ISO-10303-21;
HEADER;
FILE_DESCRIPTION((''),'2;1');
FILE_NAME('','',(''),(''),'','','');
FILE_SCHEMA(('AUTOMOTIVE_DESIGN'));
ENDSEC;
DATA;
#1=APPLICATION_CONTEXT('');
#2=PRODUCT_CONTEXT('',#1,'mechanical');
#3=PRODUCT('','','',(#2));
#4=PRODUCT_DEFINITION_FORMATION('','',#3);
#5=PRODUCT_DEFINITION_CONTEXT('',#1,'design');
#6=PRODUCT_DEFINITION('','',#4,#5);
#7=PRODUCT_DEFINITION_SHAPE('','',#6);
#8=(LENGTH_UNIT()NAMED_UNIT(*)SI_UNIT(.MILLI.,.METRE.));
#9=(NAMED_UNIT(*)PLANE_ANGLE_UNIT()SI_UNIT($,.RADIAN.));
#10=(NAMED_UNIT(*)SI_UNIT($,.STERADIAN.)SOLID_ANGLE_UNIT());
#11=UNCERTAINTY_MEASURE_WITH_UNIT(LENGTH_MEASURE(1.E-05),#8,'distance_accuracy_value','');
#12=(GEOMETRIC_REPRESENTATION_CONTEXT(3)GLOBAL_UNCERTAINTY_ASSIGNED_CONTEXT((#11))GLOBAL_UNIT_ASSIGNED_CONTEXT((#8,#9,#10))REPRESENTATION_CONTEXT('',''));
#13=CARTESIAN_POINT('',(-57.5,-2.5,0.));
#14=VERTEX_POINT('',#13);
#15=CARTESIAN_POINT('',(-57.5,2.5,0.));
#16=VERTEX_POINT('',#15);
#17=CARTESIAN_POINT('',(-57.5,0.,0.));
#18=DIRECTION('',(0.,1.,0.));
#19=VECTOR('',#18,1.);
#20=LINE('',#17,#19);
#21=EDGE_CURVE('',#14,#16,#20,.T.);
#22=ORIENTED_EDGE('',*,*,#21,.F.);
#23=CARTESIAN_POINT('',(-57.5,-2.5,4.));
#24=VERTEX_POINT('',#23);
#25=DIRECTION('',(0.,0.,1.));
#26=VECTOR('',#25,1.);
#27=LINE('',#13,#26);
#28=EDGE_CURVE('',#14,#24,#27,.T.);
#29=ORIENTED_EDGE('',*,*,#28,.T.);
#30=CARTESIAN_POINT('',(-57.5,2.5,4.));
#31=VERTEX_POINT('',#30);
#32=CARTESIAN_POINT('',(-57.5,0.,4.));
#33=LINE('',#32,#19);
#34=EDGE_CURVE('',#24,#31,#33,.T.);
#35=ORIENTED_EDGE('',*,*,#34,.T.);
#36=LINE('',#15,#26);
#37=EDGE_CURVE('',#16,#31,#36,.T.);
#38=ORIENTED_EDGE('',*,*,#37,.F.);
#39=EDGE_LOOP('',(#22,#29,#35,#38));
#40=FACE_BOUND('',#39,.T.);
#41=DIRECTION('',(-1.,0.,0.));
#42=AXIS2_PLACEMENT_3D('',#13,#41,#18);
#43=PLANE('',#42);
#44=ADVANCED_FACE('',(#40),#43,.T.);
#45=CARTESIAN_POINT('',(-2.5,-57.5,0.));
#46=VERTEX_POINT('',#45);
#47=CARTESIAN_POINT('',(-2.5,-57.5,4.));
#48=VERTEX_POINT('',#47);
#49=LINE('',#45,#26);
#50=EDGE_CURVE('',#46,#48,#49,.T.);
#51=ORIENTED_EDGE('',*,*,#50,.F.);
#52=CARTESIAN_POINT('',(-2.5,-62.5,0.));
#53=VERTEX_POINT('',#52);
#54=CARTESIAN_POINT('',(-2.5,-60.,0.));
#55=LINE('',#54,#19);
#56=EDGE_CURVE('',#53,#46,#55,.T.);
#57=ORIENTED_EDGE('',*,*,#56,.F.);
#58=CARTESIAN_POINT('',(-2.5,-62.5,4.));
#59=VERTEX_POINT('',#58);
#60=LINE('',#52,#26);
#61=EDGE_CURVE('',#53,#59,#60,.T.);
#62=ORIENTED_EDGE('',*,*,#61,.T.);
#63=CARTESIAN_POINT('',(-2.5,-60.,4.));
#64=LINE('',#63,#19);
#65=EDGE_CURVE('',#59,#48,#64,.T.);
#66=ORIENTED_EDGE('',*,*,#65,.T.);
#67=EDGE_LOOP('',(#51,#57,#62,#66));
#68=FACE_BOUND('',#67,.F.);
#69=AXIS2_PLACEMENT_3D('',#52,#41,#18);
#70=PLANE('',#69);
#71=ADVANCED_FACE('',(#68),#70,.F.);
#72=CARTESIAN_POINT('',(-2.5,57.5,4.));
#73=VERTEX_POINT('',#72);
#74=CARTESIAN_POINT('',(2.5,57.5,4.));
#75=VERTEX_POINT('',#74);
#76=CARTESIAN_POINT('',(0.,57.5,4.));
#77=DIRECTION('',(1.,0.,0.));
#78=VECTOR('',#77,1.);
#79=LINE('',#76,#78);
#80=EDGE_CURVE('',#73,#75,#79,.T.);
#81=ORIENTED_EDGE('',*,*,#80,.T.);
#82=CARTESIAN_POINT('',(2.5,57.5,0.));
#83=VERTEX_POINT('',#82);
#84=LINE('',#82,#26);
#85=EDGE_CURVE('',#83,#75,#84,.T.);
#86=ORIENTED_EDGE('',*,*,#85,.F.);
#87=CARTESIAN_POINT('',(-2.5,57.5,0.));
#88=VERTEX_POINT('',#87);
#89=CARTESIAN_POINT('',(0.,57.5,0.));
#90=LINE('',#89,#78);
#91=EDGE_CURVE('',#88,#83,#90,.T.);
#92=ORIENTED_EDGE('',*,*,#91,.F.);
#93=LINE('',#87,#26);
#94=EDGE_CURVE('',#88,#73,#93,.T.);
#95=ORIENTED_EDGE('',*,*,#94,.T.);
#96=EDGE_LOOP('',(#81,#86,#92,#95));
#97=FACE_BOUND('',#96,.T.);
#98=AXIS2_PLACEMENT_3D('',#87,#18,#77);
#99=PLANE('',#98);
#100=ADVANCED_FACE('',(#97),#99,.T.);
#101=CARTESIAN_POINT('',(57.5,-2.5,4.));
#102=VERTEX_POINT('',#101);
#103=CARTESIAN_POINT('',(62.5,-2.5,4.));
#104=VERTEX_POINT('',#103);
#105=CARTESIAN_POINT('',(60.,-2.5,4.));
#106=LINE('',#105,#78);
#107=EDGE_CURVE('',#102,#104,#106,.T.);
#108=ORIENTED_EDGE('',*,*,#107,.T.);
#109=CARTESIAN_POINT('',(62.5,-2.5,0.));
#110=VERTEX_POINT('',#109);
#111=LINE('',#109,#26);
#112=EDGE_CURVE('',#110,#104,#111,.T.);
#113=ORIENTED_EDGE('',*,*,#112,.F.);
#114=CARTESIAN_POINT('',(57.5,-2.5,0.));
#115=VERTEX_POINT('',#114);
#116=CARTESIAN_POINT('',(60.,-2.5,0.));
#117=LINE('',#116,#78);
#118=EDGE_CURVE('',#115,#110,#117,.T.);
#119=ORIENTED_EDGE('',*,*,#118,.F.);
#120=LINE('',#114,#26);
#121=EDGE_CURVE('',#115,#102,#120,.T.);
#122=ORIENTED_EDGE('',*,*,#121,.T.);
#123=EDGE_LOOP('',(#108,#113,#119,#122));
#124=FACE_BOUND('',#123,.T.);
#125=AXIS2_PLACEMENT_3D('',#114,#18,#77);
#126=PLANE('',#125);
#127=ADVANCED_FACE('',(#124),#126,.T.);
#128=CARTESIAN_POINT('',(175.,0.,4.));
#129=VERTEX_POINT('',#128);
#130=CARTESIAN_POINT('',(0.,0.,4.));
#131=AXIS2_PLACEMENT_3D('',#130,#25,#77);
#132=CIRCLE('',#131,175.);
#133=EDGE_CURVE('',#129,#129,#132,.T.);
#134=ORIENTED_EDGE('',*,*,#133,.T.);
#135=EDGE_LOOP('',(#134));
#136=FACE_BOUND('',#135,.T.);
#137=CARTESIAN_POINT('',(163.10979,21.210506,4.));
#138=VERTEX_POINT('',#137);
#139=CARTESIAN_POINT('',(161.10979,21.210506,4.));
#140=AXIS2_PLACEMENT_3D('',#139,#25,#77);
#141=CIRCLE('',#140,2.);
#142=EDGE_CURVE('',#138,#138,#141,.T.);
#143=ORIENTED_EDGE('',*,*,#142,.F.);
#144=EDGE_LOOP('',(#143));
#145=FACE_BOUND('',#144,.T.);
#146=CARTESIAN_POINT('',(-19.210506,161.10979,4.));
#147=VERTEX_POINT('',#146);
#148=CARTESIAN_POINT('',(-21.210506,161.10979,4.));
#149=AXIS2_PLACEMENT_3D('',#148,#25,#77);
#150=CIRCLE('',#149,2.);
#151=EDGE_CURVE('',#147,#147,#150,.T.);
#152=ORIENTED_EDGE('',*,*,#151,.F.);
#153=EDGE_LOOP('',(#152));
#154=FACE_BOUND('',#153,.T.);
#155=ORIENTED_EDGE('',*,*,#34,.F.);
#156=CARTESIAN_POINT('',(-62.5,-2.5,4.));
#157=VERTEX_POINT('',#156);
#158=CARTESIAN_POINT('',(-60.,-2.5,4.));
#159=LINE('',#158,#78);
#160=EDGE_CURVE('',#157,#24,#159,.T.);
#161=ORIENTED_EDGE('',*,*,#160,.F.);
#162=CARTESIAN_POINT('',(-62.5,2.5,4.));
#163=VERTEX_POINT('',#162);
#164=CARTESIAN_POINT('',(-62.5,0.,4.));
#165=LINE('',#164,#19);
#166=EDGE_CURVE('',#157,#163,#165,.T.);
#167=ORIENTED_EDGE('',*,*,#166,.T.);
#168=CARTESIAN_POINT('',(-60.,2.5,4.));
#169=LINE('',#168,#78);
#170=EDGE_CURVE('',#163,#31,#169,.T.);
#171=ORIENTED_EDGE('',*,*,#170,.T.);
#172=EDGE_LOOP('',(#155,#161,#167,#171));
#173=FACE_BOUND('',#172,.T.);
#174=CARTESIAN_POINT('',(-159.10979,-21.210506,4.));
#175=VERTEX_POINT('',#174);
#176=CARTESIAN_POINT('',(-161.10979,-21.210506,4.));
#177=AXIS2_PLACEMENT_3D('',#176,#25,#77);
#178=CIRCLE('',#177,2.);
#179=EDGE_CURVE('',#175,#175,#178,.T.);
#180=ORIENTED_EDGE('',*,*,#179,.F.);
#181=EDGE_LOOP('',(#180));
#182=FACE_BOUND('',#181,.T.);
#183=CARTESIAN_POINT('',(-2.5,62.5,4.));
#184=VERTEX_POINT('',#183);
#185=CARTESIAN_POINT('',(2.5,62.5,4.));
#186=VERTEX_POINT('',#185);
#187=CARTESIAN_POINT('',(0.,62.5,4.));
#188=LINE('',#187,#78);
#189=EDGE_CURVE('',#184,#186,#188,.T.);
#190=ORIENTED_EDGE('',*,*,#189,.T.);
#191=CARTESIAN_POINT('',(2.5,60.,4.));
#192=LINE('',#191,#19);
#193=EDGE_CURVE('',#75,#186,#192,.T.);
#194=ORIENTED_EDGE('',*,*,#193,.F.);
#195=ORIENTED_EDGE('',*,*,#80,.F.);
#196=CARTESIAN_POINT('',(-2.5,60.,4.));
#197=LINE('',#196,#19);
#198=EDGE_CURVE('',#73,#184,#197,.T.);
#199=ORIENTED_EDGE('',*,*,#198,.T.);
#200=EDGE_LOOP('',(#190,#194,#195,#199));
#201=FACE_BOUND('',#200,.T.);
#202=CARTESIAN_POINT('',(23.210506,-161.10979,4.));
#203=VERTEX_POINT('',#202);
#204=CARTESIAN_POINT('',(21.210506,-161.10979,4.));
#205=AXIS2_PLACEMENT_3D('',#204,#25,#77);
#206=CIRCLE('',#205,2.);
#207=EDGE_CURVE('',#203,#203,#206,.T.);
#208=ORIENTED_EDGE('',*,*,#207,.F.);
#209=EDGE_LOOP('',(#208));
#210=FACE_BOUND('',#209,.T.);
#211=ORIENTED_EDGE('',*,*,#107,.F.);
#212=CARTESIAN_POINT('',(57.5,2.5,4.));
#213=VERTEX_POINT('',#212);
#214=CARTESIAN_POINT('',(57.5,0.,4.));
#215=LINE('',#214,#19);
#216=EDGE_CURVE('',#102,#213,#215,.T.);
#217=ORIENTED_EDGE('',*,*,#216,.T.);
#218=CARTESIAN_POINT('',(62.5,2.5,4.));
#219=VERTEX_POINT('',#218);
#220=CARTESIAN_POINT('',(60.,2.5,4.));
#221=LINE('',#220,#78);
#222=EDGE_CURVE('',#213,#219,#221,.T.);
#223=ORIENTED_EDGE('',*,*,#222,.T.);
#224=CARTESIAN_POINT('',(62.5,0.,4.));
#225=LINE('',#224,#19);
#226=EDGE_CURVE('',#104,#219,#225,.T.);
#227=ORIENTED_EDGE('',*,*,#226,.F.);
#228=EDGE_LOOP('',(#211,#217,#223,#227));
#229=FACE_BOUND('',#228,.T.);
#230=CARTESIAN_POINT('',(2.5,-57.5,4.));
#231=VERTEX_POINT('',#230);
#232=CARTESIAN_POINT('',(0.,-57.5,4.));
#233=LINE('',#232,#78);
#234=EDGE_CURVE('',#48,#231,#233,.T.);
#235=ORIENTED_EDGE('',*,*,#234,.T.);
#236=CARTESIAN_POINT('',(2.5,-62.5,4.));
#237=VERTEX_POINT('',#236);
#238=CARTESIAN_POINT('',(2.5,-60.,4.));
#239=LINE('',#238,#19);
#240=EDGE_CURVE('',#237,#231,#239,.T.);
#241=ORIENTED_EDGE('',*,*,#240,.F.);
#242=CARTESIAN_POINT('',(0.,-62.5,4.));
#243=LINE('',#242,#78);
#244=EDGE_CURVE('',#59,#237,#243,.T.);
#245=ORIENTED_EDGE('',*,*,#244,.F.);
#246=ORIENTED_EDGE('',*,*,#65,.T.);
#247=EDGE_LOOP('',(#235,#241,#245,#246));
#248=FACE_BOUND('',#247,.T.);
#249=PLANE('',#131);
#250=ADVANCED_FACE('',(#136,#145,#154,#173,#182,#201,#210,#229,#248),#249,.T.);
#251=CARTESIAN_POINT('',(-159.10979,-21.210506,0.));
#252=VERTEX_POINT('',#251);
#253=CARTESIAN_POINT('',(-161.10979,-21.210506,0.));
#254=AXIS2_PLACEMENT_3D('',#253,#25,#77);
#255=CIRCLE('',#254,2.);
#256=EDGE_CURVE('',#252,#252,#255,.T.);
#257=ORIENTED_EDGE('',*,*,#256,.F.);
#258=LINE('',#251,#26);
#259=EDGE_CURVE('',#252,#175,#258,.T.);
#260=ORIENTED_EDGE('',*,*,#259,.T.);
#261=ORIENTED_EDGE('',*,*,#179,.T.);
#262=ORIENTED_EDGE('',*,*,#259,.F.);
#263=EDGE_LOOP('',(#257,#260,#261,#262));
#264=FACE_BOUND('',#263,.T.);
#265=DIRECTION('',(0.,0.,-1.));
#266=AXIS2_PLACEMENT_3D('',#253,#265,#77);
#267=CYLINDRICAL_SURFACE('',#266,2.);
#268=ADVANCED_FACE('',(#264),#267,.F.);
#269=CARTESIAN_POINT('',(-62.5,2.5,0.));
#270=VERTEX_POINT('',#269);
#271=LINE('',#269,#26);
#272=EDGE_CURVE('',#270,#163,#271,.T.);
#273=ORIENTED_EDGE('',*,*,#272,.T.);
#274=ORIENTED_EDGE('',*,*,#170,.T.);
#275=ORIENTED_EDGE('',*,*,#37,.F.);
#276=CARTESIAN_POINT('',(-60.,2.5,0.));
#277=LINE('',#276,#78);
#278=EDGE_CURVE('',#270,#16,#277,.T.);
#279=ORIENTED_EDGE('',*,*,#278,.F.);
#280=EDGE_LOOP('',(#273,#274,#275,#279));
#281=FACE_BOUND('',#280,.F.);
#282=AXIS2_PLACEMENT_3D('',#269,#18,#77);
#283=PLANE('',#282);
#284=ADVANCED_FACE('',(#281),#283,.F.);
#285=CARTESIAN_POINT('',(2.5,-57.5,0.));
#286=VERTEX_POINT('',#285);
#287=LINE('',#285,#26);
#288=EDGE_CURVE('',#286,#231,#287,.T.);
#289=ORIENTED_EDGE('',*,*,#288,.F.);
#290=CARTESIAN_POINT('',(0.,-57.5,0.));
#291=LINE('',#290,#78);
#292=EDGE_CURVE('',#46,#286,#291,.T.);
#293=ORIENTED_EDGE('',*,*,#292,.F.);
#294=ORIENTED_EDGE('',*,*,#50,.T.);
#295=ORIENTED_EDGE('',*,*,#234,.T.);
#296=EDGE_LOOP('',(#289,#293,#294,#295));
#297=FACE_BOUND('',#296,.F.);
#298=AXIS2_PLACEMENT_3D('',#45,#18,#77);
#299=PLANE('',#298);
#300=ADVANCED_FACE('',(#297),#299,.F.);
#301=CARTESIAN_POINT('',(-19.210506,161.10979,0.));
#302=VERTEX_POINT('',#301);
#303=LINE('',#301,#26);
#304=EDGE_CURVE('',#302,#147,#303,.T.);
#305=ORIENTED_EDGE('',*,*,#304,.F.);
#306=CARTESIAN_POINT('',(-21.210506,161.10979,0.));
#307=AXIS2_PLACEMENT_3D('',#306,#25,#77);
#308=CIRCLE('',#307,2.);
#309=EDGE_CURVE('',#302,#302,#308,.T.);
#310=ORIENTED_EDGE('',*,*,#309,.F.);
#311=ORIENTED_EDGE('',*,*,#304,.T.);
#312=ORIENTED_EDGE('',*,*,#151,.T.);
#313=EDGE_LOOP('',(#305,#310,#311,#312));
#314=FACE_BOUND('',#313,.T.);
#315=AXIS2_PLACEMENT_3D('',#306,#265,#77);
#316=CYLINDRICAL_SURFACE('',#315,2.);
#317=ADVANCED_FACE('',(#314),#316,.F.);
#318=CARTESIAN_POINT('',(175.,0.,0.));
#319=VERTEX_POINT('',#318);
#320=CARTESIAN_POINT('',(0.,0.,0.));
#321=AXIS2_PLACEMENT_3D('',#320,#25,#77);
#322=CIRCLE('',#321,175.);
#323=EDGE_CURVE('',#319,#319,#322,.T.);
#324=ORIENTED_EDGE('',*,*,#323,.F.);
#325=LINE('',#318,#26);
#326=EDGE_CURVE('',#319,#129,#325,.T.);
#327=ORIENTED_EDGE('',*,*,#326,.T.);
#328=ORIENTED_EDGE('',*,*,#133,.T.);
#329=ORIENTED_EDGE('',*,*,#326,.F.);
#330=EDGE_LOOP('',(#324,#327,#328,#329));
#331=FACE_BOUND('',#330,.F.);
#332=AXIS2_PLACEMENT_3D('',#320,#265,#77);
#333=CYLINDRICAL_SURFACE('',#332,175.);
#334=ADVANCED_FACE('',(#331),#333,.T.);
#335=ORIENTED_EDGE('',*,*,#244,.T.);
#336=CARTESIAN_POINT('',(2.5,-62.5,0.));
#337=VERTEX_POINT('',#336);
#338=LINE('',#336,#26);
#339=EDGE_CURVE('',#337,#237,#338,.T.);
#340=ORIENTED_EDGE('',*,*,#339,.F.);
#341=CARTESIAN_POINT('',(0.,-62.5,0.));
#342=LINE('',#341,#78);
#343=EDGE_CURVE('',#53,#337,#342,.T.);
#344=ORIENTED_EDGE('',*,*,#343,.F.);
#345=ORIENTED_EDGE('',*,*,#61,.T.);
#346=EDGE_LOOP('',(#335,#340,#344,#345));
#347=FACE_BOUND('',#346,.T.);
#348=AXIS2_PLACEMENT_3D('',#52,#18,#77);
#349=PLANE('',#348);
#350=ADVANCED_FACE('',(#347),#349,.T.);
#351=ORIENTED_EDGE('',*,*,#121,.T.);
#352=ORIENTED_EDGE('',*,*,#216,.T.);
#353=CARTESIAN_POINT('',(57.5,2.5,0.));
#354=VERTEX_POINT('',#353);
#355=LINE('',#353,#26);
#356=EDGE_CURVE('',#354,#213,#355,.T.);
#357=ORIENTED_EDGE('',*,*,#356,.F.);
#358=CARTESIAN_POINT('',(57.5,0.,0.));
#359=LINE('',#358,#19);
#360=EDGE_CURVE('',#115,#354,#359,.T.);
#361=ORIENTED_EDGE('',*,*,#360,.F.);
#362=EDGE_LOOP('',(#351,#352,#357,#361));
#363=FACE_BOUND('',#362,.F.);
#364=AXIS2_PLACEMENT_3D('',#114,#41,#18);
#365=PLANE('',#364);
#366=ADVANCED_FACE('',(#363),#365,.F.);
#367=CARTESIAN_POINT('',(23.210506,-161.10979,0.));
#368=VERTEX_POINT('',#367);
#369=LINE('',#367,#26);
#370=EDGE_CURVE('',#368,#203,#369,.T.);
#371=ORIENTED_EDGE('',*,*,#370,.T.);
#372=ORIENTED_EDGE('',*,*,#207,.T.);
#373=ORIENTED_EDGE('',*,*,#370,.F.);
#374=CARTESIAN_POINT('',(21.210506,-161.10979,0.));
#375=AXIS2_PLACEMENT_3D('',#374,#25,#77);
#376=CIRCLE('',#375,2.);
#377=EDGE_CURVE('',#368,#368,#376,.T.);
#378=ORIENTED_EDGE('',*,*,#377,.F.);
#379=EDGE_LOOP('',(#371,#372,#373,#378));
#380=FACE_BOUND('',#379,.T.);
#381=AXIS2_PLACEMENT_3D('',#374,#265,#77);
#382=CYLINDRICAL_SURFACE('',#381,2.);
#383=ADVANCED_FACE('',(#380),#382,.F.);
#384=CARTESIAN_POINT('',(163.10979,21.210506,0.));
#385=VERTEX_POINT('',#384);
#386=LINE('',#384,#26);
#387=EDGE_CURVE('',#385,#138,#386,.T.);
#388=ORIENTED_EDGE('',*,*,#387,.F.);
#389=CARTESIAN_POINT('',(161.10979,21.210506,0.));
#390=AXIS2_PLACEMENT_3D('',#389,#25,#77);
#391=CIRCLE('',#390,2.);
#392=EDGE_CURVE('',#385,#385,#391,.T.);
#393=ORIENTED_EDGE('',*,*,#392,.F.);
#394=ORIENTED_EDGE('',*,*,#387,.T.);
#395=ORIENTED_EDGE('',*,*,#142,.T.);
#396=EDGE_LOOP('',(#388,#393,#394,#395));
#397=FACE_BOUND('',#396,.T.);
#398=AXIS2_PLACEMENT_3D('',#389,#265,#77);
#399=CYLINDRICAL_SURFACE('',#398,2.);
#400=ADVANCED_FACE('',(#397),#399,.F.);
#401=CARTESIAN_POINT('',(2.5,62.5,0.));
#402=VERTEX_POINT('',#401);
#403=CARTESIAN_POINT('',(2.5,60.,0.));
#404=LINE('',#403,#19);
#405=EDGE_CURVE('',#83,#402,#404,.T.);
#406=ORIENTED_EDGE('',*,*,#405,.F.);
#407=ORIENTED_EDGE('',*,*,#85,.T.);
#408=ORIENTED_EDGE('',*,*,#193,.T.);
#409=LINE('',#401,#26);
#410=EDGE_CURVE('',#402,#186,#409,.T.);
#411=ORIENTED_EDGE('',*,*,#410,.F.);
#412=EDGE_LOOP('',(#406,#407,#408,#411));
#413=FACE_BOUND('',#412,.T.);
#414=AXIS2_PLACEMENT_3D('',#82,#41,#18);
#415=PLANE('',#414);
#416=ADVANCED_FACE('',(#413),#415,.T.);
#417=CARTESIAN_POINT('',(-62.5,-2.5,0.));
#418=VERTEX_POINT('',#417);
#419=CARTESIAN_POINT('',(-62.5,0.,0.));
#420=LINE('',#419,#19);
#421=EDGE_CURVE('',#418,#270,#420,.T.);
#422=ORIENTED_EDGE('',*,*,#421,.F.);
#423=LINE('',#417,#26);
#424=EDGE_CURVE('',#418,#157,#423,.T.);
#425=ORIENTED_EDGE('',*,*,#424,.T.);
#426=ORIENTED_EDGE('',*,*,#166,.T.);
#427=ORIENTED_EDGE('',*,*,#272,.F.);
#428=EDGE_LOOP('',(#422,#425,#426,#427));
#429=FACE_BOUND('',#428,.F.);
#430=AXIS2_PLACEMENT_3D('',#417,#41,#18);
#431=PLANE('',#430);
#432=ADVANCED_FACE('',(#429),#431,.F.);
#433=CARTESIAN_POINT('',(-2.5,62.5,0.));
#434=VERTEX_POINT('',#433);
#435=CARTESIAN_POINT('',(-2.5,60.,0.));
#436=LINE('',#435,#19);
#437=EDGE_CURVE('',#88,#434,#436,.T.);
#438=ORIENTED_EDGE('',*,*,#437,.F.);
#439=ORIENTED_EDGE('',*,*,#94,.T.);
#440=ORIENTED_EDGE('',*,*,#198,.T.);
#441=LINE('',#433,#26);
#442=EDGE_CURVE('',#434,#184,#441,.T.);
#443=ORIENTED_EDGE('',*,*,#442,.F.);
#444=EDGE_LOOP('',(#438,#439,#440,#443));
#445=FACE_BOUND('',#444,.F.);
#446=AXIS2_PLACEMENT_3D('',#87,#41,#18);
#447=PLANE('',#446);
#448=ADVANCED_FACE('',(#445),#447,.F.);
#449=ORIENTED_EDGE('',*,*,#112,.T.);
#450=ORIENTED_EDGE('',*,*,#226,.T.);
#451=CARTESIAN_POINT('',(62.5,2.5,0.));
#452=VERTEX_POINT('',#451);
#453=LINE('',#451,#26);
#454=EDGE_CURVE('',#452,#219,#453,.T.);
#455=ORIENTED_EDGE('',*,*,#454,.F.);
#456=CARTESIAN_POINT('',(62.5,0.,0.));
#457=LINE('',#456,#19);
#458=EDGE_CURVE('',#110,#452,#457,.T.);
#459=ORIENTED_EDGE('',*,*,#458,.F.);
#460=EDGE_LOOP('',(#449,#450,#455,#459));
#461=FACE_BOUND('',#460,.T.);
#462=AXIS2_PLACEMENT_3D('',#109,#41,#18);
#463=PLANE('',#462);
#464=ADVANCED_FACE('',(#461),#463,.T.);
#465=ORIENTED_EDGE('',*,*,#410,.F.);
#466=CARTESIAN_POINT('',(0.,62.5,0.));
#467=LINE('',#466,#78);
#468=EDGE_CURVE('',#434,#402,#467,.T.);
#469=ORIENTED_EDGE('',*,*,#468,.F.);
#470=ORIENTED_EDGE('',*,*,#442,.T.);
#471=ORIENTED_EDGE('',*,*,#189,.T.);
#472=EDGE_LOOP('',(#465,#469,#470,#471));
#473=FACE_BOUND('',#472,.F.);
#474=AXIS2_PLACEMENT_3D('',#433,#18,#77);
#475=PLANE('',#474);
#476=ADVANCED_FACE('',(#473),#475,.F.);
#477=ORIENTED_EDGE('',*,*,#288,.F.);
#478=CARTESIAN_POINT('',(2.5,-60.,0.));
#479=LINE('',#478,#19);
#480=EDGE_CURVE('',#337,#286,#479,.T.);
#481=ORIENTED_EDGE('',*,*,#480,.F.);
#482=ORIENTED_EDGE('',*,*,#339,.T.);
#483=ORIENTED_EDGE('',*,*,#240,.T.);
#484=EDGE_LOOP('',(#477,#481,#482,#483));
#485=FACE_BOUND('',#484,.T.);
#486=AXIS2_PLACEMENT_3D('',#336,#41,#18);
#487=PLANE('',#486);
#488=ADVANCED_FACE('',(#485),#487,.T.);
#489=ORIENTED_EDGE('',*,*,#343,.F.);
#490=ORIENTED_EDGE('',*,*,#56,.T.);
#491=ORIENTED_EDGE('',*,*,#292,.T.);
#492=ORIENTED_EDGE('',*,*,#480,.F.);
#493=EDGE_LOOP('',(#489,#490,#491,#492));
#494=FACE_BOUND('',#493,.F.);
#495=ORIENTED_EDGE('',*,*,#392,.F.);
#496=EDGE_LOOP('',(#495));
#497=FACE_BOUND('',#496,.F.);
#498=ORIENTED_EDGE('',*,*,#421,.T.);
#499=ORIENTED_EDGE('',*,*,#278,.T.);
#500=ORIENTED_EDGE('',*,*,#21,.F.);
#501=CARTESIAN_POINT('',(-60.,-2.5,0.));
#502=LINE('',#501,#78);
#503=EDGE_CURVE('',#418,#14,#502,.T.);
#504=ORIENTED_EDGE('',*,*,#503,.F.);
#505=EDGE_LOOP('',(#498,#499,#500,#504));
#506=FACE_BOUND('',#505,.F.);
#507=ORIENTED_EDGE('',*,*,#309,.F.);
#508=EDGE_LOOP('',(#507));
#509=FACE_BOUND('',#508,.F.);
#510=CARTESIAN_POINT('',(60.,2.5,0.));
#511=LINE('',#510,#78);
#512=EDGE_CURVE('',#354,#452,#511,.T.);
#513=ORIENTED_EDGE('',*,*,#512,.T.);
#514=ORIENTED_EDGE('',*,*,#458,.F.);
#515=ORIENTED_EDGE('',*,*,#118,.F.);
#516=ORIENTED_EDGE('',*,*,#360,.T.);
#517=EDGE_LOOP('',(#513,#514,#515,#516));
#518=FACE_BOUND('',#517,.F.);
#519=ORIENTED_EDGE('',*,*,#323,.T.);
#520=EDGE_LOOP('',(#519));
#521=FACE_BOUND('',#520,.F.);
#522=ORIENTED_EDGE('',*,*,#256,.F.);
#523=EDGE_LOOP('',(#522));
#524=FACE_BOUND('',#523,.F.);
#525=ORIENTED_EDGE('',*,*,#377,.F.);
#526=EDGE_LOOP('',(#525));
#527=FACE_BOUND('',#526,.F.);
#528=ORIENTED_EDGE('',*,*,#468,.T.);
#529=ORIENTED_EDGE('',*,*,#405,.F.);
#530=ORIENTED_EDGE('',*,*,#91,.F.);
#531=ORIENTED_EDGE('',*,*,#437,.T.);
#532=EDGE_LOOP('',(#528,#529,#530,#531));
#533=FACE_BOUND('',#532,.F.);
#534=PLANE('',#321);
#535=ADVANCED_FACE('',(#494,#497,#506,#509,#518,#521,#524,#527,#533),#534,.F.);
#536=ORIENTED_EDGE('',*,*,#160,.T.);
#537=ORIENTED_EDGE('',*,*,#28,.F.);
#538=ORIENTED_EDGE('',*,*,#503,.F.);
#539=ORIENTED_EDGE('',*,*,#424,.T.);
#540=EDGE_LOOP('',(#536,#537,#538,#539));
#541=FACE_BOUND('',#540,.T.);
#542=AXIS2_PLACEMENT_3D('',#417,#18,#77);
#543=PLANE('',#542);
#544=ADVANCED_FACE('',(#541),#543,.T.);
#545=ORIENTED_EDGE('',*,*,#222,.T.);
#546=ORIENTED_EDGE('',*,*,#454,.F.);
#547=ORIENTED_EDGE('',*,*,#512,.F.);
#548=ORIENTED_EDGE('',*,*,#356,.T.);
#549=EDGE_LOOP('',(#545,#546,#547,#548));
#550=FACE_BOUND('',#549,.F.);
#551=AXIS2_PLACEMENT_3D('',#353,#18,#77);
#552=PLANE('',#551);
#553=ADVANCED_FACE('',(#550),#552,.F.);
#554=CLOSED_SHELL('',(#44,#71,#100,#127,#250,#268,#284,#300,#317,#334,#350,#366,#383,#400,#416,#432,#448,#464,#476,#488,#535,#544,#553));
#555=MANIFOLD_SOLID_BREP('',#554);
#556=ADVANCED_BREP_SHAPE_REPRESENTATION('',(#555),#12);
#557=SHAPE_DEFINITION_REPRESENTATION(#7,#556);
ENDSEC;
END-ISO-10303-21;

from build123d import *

# Parameters (mm, degrees)
F0_R     = 175
F0_R_2   = 2
F0_W     = 5
F0_H     = 5
F1_DEPTH = 4


with BuildPart() as f1:
    # F0 (on Top) → F1 (new body)
    with BuildSketch(Plane.XY):
        Circle(F0_R)
        with Locations((-161.10979, -21.210506)):
            Circle(F0_R_2, mode=Mode.SUBTRACT)
        with Locations((21.210506, -161.10979)):
            Circle(F0_R_2, mode=Mode.SUBTRACT)
        with Locations((0, -60)):
            Rectangle(F0_W, F0_H, mode=Mode.SUBTRACT)
        with Locations((-60, 0)):
            Rectangle(F0_W, F0_H, mode=Mode.SUBTRACT)
        with Locations((-21.210506, 161.10979)):
            Circle(F0_R_2, mode=Mode.SUBTRACT)
        with Locations((60, 0)):
            Rectangle(F0_W, F0_H, mode=Mode.SUBTRACT)
        with Locations((0, 60)):
            Rectangle(F0_W, F0_H, mode=Mode.SUBTRACT)
        with Locations((161.10979, 21.210506)):
            Circle(F0_R_2, mode=Mode.SUBTRACT)
    extrude(amount=F1_DEPTH)


solid = f1.part
